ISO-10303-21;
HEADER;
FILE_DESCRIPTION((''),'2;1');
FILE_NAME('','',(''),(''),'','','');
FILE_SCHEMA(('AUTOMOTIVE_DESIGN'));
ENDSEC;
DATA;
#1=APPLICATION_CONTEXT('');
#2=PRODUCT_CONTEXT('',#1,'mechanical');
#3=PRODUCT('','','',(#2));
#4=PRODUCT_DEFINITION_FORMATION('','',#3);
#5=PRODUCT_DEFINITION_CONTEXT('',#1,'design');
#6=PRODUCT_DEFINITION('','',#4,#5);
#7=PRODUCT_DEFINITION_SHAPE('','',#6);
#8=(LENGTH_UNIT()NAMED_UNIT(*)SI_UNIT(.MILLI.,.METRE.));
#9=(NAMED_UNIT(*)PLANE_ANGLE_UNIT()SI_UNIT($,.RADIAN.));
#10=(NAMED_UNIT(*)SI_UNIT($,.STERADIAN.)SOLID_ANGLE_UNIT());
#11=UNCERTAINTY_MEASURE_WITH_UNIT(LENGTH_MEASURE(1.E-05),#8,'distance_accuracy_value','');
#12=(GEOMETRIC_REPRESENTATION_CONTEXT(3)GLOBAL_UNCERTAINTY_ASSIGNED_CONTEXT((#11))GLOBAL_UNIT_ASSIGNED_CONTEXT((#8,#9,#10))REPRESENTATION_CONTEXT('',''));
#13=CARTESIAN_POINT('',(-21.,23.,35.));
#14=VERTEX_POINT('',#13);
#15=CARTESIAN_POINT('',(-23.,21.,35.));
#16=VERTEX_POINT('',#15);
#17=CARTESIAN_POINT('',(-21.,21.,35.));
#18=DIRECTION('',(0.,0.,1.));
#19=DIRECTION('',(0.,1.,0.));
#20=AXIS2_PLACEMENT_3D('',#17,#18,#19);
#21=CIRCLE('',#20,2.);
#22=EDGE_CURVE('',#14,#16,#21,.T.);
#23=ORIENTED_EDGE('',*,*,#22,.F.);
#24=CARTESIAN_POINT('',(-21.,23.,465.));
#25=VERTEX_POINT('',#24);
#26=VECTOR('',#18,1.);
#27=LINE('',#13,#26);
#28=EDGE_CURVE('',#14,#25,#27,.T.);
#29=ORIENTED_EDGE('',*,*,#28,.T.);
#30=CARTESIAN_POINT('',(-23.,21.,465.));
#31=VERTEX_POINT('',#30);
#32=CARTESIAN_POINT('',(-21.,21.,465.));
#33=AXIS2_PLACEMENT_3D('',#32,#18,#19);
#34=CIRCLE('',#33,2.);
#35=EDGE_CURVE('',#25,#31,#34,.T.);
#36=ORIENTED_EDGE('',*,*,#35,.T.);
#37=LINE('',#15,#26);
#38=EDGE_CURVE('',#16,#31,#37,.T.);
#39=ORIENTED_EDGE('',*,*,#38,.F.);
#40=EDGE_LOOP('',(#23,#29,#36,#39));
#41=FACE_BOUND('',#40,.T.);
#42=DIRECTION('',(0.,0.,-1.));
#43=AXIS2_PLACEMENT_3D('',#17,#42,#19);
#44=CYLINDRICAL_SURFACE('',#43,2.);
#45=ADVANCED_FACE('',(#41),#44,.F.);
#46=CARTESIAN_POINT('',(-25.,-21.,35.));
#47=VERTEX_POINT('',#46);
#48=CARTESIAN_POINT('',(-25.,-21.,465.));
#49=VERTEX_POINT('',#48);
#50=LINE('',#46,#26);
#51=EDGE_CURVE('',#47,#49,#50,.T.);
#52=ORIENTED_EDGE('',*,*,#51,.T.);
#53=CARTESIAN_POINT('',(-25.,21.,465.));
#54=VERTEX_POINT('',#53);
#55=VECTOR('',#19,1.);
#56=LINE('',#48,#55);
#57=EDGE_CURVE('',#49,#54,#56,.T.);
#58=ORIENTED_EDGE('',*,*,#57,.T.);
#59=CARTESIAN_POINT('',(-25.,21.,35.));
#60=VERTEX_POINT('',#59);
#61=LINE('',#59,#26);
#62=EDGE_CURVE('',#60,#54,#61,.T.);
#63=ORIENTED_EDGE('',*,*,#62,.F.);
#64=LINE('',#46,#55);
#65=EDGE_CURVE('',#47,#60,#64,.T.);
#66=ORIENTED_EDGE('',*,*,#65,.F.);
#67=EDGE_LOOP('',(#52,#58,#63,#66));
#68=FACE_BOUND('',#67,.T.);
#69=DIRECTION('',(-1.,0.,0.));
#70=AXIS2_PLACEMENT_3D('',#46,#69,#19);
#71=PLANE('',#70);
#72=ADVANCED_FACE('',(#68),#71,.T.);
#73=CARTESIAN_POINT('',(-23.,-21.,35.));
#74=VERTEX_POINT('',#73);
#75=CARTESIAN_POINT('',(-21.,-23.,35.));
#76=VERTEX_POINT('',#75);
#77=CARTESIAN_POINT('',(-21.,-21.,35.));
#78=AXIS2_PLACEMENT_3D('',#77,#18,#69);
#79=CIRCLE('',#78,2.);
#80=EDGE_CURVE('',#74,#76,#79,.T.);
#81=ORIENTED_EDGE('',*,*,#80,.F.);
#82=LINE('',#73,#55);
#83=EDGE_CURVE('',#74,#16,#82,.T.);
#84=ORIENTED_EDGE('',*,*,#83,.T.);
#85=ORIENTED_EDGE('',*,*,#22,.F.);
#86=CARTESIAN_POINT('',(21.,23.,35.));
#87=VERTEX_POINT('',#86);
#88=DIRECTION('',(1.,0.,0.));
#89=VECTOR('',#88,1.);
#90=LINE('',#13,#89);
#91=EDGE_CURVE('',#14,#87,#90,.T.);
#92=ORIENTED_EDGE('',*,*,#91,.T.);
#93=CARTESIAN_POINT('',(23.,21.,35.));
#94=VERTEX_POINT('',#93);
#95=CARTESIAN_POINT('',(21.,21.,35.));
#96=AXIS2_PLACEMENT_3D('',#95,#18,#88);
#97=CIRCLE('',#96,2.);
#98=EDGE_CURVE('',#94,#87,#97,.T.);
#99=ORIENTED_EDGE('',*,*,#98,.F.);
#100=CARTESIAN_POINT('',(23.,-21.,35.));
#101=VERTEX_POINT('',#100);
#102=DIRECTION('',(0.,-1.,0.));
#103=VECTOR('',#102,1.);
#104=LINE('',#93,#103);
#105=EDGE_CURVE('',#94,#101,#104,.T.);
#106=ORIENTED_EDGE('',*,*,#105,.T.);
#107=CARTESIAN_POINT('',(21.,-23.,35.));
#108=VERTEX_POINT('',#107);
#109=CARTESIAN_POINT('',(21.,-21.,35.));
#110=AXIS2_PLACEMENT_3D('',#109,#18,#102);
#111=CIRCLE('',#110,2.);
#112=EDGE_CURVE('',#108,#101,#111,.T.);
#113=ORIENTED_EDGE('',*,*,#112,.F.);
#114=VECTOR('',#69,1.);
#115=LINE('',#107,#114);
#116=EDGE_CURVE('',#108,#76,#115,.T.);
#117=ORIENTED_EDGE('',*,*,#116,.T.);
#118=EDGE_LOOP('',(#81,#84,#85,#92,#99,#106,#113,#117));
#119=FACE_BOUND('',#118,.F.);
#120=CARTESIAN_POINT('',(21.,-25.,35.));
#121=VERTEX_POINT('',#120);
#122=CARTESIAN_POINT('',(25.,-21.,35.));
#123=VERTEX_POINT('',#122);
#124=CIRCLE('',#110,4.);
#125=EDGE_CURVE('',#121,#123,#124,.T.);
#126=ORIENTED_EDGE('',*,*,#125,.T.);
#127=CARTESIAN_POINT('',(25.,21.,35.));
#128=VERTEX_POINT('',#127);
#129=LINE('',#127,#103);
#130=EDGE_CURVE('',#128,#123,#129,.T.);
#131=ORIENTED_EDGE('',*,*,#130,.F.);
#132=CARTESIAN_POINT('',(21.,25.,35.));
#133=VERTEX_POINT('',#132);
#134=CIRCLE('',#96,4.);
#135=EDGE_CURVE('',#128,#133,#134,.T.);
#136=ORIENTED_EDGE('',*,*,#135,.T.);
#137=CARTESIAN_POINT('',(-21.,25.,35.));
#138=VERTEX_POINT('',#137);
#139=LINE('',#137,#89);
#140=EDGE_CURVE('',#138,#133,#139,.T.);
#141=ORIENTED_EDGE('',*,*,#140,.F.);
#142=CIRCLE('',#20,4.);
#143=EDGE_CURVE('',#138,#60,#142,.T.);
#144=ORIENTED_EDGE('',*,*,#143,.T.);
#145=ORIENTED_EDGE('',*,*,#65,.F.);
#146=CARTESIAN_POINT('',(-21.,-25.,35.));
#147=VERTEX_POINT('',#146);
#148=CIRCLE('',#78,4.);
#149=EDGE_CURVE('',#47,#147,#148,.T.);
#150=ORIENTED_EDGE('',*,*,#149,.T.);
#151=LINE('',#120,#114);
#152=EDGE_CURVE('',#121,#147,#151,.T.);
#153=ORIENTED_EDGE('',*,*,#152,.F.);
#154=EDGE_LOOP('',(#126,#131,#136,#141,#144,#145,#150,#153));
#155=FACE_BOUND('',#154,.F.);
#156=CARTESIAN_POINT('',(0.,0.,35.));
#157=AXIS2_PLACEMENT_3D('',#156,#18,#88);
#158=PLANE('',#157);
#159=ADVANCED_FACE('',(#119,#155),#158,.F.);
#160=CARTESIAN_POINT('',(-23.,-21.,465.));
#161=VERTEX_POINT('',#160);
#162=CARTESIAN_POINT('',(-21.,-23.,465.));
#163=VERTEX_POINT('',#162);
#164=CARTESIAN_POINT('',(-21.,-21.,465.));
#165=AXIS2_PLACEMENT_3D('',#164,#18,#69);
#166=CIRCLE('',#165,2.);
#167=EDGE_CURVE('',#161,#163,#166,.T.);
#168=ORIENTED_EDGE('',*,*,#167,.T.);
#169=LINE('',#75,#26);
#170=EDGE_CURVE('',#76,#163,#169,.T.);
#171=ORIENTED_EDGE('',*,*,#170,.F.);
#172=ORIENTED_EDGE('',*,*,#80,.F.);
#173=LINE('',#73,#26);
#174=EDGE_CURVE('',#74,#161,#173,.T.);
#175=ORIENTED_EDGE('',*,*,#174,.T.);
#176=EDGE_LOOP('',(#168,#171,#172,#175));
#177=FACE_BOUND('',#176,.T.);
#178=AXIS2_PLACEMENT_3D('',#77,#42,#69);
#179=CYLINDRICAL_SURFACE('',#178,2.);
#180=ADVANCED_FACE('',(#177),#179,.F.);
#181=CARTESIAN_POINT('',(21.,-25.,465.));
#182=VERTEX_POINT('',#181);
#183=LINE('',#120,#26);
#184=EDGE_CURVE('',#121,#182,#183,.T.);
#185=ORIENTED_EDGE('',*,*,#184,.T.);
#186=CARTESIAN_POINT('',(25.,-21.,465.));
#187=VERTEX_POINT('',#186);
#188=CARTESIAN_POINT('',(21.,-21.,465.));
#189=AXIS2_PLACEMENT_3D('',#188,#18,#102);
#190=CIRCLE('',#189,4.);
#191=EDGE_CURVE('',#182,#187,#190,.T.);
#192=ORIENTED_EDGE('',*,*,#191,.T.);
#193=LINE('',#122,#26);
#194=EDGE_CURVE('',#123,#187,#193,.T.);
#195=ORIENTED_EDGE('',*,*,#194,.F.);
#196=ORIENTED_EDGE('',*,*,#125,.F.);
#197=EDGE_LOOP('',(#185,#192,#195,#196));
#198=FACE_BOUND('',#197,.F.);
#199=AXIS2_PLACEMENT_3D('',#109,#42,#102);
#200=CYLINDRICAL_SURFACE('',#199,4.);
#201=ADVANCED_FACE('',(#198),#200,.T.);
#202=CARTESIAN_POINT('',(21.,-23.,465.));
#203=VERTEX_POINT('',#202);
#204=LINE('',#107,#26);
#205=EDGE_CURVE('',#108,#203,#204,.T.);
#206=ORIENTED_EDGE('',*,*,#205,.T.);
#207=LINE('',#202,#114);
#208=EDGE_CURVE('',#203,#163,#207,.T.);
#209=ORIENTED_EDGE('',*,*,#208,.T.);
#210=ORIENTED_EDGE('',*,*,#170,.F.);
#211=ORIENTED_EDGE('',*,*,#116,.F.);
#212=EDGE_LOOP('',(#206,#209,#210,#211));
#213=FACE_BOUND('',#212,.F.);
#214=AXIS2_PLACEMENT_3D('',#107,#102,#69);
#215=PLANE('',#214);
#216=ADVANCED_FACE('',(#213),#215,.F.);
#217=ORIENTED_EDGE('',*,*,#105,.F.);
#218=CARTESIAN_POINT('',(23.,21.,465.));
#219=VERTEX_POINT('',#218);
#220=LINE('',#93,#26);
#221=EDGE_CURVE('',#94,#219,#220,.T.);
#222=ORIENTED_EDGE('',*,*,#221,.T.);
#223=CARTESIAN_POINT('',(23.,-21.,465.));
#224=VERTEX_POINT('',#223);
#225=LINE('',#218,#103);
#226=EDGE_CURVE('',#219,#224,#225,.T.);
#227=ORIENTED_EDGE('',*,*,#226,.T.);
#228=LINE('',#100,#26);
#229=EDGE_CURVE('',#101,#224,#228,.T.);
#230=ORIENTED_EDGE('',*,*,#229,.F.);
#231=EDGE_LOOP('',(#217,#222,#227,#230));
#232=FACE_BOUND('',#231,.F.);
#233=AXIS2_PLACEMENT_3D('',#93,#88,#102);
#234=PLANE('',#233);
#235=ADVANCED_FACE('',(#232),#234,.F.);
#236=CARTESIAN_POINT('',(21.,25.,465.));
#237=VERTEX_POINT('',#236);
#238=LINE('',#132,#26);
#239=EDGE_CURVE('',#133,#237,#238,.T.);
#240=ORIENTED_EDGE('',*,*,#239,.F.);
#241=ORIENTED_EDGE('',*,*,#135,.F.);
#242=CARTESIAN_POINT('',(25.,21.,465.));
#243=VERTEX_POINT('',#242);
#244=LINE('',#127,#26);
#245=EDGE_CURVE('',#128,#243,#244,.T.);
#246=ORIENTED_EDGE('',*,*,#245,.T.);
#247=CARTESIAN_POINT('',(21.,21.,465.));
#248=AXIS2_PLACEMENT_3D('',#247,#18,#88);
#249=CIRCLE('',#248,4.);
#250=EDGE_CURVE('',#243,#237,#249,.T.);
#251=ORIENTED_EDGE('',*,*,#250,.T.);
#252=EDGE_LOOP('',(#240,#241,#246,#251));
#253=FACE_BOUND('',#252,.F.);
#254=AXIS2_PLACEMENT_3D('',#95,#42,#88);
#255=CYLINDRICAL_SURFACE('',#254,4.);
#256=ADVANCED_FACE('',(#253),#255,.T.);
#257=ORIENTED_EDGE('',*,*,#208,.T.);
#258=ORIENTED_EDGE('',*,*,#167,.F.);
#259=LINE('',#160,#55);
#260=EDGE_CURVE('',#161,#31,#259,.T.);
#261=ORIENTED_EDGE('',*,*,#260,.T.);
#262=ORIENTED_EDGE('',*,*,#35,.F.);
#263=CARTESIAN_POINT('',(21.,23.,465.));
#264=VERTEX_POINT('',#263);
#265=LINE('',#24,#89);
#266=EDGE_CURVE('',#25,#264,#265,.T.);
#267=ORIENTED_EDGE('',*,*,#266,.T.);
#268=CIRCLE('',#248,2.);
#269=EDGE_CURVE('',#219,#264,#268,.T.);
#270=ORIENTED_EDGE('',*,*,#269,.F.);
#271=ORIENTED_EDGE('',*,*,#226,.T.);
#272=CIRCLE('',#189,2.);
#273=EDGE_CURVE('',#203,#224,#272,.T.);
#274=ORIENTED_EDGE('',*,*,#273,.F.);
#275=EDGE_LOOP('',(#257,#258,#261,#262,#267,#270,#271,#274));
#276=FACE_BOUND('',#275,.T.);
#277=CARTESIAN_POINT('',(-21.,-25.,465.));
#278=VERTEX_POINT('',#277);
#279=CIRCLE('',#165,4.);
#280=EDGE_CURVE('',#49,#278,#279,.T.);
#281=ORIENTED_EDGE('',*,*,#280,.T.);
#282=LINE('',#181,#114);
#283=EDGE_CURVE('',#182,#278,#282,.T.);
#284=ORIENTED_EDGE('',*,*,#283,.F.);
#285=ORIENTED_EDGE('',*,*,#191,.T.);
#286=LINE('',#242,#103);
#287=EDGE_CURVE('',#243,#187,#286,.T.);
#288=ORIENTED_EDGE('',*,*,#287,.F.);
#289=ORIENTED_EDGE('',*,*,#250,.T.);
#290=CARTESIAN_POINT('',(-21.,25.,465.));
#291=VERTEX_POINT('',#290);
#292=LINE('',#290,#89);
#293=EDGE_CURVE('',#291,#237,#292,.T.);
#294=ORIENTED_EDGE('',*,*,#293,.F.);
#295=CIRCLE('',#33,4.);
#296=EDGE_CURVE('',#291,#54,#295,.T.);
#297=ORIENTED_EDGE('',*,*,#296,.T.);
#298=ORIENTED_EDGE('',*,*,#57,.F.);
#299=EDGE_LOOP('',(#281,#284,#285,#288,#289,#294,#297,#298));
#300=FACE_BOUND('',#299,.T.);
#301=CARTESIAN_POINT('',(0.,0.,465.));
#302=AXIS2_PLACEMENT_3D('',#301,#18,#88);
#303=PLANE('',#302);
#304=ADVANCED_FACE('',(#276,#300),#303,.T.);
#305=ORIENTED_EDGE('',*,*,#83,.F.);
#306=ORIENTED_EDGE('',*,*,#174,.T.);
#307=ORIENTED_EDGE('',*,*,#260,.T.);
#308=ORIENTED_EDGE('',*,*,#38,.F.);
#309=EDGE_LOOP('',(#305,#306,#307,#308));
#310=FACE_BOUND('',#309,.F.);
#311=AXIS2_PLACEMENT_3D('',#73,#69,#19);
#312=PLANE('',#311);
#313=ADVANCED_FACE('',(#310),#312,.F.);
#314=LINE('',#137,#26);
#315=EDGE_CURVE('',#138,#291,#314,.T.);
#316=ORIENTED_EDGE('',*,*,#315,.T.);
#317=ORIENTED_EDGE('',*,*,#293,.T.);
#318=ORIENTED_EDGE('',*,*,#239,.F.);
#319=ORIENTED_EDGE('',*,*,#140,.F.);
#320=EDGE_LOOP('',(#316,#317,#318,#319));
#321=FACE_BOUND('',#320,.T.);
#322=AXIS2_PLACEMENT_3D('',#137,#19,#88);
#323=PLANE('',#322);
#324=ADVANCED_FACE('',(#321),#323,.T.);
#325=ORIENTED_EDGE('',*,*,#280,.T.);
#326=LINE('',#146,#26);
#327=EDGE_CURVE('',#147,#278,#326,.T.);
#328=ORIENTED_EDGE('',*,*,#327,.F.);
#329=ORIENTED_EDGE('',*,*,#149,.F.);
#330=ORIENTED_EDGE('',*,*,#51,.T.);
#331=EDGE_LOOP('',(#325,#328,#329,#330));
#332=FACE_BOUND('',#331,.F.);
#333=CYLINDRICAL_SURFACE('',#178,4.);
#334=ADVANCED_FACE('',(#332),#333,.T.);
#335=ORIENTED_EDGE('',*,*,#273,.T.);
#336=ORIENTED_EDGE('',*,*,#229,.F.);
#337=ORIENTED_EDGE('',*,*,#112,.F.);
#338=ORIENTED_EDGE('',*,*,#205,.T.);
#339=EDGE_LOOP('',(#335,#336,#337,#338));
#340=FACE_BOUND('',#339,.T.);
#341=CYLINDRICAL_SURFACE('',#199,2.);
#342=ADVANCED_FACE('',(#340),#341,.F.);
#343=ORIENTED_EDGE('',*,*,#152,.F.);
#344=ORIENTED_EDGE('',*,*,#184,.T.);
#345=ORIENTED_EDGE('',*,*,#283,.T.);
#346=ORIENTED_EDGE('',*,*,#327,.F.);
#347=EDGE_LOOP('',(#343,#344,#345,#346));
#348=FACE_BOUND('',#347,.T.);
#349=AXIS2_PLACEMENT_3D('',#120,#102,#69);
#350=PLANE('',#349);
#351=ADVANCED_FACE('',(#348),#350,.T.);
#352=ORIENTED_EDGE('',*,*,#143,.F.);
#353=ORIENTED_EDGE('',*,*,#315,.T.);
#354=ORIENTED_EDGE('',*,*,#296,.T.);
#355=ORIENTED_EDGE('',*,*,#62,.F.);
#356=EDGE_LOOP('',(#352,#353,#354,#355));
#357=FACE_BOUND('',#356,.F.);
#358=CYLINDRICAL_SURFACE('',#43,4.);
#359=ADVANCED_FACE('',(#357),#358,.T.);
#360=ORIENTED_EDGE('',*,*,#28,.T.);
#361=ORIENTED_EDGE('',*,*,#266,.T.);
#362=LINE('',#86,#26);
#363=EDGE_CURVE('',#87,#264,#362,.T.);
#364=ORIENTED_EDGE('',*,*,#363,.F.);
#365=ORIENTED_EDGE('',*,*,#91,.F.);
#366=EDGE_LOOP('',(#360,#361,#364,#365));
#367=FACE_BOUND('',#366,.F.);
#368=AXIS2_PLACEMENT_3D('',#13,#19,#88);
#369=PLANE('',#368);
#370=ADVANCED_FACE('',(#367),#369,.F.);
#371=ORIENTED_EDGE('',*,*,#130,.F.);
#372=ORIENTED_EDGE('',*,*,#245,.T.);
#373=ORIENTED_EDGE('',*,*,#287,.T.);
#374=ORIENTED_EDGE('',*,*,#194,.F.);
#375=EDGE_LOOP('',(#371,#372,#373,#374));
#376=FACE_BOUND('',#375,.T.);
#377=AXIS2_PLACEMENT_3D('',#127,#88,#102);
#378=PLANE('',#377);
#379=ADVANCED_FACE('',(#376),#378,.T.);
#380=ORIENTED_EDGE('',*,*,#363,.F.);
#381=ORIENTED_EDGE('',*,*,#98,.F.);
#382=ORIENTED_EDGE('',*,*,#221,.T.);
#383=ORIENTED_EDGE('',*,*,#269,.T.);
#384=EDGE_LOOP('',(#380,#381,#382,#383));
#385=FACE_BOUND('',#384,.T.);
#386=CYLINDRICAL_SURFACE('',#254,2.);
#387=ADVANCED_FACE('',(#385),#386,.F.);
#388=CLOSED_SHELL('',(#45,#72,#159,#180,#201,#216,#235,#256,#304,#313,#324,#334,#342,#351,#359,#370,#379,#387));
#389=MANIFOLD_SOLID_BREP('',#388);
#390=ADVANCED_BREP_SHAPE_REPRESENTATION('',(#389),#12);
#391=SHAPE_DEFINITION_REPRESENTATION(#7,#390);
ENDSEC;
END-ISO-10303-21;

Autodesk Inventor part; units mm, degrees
ref_plane "Plano inicial" through (0, 0, 35) normal (0, 0, 1) x (1, 0, 0)
ref_plane "Plano final" through (0, 0, 465) normal (0, 0, 1) x (1, 0, 0)
sketch "Boceto" plane through (0, 0, 0) normal (0, 0, 1) x (1, 0, 0)
  line L0 (-25, -21) -> (-25, 21)
  line L1 (-21, 25) -> (21, 25)
  line L2 (25, 21) -> (25, -21)
  line L3 (21, -25) -> (-21, -25)
  arc A0 (-25, -21) -> (-21, -25) centre (-21, -21) ccw
  arc A1 (25, 21) -> (21, 25) centre (21, 21) ccw
  arc A2 (-21, 25) -> (-25, 21) centre (-21, 21) ccw
  arc A3 (21, -25) -> (25, -21) centre (21, -21) ccw
  arc A4 (-21, 23) -> (-23, 21) centre (-21, 21) ccw
  line L4 (-21, 23) -> (21, 23)
  arc A5 (23, 21) -> (21, 23) centre (21, 21) ccw
  line L5 (23, 21) -> (23, -21)
  arc A6 (21, -23) -> (23, -21) centre (21, -21) ccw
  line L6 (21, -23) -> (-21, -23)
  arc A7 (-23, -21) -> (-21, -23) centre (-21, -21) ccw
  line L7 (-23, -21) -> (-23, 21)
  line L8 (0, 36.1598) -> (0, -36.1598) construction
  line L9 (-36.1598, 0) -> (36.1598, 0) construction
  dimension "d7" = 4
  dimension "d9" = 50
  dimension "d11" = 50
  dimension "d12" = 2
  dimension "d15" = 25
  dimension "d16" = 25
extrude "Cuerpo" add sketch "Boceto" along normal up to surface (430 mm away) from surface at 35
sketch "Sketch3" plane through (0, 0, 0) normal (0, 0, 1) x (1, 0, 0)
  line L0 (0, 0) -> (10, 0)
ref_plane "Work Plane3" through (0, 0, 0) normal (0, -1, 0) x (1, 0, 0)
sketch "Sketch4" plane through (0, 0, 0) normal (0, -1, 0) x (1, 0, 0)
  line L0 (-2, 35) -> (12, 35)
  line L1 (-2, 465) -> (12, 465)
  dimension "d18" = 430
ref_plane "Plano de trabajo4" through (1595, 29, 35) normal (0, 0, -1) x (-1, 0, 0)
split "Dividir1" plane through (1595, 29, 35) removes the side toward (0, 0, -1)
ref_plane "Plano de trabajo5" through (1595, -29, 465) normal (0, 0, 1) x (1, 0, 0)
split "Dividir2" plane through (1595, -29, 465) removes the side toward (0, 0, 1)
equation "\"d7\" = G_IR"
equation "\"d9\" = G_W"
equation "\"d11\" = G_H"
equation "\"d12\" = G_T"
equation "\"d15\" = 0.5 * d9"
equation "\"d16\" = 0.5 * d11"
equation "\"d3\" = G_L"
equation "\"G_W\" = 50"
equation "\"G_H\" = 50"
equation "\"G_T\" = 2"
equation "\"G_IR\" = 4"
equation "\"G_L\" = d18"
equation "\"G_OFFSET_START\" = -35"
equation "\"G_OFFSET_END\" = -35"
equation "\"d13\" = -G_OFFSET_START"
equation "\"d14\" = G_OFFSET_END + B_L"
equation "\"B_L\" = 500"
properties part number "ISO 10799-2 - 50x50x2 - 430" material "Galvanizado catalogo 1"
